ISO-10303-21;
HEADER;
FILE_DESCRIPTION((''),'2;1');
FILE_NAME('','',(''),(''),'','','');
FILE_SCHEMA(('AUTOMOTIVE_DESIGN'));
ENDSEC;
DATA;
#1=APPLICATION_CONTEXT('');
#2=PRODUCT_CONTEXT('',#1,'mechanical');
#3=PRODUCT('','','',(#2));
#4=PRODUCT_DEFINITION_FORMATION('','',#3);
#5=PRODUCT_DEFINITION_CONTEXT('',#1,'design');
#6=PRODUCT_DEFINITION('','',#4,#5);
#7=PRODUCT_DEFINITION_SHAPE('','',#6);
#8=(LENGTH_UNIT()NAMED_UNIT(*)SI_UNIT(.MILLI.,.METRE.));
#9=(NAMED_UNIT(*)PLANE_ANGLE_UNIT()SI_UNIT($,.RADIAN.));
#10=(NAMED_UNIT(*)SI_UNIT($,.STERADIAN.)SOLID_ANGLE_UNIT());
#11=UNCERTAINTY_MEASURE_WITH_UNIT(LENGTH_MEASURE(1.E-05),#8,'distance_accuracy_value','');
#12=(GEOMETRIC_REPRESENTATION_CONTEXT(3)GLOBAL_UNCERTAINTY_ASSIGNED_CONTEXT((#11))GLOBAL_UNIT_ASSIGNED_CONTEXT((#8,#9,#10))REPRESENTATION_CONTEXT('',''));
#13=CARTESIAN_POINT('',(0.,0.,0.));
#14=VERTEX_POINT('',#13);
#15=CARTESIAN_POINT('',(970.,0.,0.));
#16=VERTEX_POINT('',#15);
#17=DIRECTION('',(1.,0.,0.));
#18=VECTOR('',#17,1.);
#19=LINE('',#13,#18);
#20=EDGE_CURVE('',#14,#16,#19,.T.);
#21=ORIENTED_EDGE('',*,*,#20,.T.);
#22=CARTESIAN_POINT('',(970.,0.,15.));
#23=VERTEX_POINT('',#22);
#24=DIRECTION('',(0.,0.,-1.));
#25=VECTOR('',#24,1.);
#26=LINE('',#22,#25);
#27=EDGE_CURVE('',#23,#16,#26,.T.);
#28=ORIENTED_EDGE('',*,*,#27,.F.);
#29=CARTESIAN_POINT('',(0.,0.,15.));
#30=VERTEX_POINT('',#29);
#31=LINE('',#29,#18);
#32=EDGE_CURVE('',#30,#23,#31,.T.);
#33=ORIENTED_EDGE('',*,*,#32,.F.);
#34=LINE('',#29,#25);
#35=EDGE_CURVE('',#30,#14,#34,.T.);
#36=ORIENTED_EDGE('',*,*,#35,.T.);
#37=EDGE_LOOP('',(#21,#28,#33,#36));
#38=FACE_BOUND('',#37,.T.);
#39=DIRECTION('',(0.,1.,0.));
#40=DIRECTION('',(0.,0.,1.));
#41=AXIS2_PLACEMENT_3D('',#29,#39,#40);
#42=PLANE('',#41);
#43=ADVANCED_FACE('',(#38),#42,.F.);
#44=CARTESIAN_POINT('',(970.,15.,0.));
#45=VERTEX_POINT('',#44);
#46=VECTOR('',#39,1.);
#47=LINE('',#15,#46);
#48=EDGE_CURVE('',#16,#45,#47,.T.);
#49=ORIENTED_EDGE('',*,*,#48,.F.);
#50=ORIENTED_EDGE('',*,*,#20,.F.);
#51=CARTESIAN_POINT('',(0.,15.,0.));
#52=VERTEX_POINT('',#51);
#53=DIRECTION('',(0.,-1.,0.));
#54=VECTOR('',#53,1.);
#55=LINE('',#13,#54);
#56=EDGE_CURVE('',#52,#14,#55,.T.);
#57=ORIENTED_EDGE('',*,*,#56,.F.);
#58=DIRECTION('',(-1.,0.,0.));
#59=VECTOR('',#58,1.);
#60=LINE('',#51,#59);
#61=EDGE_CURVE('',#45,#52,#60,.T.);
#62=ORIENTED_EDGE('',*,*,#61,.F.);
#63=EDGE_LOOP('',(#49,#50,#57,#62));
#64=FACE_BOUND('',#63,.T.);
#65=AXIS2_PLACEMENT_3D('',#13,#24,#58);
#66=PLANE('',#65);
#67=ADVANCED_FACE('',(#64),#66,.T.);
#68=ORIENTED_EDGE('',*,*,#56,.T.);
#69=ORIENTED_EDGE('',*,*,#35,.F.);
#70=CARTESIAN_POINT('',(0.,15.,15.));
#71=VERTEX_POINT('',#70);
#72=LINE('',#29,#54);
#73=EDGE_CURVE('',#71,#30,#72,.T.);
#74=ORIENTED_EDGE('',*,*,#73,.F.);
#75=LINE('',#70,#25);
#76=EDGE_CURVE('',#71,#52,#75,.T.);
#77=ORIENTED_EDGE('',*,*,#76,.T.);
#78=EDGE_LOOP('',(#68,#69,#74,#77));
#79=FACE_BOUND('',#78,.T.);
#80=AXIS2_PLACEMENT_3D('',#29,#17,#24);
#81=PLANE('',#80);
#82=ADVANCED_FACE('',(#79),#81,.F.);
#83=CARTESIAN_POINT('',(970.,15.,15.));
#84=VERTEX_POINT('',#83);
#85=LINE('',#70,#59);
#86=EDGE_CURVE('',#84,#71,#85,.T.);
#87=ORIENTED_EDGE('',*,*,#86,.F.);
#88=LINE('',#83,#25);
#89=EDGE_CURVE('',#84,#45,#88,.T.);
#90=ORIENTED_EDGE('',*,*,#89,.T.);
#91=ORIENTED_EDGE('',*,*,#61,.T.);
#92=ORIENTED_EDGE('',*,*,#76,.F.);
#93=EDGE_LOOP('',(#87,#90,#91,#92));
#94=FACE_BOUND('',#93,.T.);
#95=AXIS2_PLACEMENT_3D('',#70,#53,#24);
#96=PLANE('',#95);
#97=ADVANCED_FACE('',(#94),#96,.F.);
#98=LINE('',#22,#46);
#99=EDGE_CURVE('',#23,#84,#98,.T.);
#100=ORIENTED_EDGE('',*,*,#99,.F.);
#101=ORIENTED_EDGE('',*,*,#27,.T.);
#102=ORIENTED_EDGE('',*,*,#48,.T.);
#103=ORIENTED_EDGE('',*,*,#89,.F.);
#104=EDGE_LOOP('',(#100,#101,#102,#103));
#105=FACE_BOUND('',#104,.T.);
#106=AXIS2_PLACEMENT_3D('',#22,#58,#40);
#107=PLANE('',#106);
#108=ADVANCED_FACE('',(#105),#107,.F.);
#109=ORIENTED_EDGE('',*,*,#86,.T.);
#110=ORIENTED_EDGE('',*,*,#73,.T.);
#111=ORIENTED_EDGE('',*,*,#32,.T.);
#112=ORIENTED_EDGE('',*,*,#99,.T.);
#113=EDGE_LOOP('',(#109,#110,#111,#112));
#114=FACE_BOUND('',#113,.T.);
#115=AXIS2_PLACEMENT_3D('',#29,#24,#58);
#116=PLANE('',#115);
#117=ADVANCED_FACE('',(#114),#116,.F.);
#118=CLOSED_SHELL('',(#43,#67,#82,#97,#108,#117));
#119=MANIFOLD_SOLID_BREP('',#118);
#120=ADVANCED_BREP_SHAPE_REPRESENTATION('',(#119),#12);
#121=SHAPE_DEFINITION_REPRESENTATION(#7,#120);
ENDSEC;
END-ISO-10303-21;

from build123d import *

# Parameters (mm, degrees)
SKETCH1_W           = 97
SKETCH1_H           = 1.5
BOSS_EXTRUDE1_DEPTH = 1.5
SCALE1_SCALE        = 10


with BuildPart() as part:
    # Sketch1 → Boss-Extrude1 (new body)
    with BuildSketch(Plane.XY):
        with Locations((48.5, 0.75)):
            Rectangle(SKETCH1_W, SKETCH1_H)
    extrude(amount=BOSS_EXTRUDE1_DEPTH)


with BuildPart() as part_1:
    # Scale1: scaled about (0, 0, 0)
    add(part.part.scale(SCALE1_SCALE))


solid = part_1.part
